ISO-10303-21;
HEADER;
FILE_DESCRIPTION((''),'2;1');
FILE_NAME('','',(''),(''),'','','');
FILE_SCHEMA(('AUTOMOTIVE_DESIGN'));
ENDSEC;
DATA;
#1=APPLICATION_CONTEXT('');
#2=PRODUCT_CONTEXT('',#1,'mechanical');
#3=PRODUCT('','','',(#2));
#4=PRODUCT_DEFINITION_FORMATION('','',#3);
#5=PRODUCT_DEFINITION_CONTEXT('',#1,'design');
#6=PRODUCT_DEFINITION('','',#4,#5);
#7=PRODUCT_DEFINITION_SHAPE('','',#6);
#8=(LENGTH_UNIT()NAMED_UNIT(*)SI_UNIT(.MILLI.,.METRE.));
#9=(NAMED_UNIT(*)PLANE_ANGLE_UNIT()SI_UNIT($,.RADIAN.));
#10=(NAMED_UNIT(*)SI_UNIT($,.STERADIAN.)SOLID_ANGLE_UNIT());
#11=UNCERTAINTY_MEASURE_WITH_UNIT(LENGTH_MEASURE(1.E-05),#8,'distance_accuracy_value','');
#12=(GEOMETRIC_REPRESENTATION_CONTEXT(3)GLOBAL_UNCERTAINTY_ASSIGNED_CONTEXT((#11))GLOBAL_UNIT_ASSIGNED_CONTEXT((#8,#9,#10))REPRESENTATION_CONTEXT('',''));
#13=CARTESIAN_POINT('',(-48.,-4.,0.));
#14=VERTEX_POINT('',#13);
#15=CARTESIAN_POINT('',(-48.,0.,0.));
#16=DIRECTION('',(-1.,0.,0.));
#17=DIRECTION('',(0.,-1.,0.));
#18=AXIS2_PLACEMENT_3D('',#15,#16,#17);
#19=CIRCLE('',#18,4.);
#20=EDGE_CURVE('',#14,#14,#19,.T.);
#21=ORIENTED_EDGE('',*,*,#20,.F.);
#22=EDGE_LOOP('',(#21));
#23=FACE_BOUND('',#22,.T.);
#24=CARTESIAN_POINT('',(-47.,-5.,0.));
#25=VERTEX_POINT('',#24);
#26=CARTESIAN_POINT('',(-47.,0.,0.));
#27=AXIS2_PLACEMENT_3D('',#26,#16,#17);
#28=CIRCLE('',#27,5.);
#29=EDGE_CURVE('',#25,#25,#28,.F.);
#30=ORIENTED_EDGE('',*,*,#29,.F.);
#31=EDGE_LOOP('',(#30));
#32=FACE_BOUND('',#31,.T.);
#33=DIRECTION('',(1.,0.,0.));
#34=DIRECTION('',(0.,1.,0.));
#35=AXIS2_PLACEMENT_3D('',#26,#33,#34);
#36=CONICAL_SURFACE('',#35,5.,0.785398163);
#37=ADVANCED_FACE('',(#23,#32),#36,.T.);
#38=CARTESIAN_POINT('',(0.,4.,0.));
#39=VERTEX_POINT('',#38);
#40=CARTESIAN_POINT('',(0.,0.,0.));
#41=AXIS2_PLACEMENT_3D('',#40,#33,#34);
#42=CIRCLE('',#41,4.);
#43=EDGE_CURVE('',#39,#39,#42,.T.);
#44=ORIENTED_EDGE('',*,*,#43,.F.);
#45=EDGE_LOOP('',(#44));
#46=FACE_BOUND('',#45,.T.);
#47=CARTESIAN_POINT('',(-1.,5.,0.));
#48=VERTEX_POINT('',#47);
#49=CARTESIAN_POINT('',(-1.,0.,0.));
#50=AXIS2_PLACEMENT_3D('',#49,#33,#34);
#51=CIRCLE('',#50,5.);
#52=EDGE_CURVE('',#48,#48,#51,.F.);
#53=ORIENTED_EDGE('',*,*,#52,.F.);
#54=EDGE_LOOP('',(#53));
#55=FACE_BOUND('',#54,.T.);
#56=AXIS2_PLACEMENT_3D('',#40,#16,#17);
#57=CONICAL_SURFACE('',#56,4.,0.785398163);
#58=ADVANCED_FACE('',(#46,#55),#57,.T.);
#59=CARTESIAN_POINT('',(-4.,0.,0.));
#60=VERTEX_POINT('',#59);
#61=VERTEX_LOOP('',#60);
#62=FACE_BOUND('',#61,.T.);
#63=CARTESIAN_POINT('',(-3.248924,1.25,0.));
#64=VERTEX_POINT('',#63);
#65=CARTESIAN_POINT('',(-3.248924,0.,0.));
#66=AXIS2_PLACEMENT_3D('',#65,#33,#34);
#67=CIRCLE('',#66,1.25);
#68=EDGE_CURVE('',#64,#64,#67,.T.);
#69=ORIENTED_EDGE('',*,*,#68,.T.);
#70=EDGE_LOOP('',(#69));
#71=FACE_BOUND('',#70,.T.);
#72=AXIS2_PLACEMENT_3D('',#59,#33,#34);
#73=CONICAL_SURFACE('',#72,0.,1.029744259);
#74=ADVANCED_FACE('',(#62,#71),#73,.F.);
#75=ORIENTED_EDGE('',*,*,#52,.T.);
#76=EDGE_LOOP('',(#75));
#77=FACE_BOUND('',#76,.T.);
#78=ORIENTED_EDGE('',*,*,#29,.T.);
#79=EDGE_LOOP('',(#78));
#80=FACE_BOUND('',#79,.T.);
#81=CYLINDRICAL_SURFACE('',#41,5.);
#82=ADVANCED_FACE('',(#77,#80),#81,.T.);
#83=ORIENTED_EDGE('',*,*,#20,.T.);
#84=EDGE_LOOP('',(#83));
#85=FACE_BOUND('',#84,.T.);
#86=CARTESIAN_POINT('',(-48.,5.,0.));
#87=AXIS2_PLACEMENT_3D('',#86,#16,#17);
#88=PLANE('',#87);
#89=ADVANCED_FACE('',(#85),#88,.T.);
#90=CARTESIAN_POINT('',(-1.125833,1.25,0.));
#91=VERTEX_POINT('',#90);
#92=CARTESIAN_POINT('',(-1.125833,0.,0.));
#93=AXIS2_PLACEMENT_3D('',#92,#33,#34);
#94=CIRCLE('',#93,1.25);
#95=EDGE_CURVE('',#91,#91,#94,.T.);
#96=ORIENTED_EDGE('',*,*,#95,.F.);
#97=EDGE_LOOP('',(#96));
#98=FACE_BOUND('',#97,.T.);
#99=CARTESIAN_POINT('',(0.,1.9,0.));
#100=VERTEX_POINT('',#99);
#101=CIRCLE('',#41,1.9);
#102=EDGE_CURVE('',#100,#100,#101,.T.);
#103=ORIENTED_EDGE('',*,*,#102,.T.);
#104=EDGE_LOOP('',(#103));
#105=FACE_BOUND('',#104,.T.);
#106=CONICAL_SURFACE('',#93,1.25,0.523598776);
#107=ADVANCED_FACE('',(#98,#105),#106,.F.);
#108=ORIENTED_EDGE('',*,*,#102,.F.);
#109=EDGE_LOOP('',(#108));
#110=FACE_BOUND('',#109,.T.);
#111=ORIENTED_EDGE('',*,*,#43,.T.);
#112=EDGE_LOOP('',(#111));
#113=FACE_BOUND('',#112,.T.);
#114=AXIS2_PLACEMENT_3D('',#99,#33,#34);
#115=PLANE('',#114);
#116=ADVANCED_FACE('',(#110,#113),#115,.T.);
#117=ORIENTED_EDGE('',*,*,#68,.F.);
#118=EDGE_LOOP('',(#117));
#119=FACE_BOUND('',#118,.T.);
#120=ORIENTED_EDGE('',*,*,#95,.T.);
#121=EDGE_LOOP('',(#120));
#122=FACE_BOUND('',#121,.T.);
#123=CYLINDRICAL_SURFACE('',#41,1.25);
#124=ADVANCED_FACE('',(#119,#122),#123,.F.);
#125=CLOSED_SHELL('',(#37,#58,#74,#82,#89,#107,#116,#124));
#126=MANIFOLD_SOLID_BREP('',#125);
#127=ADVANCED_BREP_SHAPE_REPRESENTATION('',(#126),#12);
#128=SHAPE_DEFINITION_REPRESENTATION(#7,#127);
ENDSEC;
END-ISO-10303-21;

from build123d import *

# Parameters (mm, degrees)
CHAMFER1_SIZE = 1


with BuildPart() as part:
    # Sketch1 → Revolve1 (revolve)
    with BuildSketch(Plane.XY):
        Polygon((0, 1.9), (0, 5), (-48, 5), (-48, 0), (-4, 0), (-3.248924226, 1.25), (-1.125833025, 1.25), align=None)
    revolve(axis=Axis((0, 0, 0), (-1, 0, 0)))

    # Chamfer1
    chamfer1_edges = [part.edges().sort_by_distance(p)[0] for p in [
        (0, -5, 0),
        (-48, -5, 0),
    ]]
    chamfer(chamfer1_edges, length=CHAMFER1_SIZE)


solid = part.part
